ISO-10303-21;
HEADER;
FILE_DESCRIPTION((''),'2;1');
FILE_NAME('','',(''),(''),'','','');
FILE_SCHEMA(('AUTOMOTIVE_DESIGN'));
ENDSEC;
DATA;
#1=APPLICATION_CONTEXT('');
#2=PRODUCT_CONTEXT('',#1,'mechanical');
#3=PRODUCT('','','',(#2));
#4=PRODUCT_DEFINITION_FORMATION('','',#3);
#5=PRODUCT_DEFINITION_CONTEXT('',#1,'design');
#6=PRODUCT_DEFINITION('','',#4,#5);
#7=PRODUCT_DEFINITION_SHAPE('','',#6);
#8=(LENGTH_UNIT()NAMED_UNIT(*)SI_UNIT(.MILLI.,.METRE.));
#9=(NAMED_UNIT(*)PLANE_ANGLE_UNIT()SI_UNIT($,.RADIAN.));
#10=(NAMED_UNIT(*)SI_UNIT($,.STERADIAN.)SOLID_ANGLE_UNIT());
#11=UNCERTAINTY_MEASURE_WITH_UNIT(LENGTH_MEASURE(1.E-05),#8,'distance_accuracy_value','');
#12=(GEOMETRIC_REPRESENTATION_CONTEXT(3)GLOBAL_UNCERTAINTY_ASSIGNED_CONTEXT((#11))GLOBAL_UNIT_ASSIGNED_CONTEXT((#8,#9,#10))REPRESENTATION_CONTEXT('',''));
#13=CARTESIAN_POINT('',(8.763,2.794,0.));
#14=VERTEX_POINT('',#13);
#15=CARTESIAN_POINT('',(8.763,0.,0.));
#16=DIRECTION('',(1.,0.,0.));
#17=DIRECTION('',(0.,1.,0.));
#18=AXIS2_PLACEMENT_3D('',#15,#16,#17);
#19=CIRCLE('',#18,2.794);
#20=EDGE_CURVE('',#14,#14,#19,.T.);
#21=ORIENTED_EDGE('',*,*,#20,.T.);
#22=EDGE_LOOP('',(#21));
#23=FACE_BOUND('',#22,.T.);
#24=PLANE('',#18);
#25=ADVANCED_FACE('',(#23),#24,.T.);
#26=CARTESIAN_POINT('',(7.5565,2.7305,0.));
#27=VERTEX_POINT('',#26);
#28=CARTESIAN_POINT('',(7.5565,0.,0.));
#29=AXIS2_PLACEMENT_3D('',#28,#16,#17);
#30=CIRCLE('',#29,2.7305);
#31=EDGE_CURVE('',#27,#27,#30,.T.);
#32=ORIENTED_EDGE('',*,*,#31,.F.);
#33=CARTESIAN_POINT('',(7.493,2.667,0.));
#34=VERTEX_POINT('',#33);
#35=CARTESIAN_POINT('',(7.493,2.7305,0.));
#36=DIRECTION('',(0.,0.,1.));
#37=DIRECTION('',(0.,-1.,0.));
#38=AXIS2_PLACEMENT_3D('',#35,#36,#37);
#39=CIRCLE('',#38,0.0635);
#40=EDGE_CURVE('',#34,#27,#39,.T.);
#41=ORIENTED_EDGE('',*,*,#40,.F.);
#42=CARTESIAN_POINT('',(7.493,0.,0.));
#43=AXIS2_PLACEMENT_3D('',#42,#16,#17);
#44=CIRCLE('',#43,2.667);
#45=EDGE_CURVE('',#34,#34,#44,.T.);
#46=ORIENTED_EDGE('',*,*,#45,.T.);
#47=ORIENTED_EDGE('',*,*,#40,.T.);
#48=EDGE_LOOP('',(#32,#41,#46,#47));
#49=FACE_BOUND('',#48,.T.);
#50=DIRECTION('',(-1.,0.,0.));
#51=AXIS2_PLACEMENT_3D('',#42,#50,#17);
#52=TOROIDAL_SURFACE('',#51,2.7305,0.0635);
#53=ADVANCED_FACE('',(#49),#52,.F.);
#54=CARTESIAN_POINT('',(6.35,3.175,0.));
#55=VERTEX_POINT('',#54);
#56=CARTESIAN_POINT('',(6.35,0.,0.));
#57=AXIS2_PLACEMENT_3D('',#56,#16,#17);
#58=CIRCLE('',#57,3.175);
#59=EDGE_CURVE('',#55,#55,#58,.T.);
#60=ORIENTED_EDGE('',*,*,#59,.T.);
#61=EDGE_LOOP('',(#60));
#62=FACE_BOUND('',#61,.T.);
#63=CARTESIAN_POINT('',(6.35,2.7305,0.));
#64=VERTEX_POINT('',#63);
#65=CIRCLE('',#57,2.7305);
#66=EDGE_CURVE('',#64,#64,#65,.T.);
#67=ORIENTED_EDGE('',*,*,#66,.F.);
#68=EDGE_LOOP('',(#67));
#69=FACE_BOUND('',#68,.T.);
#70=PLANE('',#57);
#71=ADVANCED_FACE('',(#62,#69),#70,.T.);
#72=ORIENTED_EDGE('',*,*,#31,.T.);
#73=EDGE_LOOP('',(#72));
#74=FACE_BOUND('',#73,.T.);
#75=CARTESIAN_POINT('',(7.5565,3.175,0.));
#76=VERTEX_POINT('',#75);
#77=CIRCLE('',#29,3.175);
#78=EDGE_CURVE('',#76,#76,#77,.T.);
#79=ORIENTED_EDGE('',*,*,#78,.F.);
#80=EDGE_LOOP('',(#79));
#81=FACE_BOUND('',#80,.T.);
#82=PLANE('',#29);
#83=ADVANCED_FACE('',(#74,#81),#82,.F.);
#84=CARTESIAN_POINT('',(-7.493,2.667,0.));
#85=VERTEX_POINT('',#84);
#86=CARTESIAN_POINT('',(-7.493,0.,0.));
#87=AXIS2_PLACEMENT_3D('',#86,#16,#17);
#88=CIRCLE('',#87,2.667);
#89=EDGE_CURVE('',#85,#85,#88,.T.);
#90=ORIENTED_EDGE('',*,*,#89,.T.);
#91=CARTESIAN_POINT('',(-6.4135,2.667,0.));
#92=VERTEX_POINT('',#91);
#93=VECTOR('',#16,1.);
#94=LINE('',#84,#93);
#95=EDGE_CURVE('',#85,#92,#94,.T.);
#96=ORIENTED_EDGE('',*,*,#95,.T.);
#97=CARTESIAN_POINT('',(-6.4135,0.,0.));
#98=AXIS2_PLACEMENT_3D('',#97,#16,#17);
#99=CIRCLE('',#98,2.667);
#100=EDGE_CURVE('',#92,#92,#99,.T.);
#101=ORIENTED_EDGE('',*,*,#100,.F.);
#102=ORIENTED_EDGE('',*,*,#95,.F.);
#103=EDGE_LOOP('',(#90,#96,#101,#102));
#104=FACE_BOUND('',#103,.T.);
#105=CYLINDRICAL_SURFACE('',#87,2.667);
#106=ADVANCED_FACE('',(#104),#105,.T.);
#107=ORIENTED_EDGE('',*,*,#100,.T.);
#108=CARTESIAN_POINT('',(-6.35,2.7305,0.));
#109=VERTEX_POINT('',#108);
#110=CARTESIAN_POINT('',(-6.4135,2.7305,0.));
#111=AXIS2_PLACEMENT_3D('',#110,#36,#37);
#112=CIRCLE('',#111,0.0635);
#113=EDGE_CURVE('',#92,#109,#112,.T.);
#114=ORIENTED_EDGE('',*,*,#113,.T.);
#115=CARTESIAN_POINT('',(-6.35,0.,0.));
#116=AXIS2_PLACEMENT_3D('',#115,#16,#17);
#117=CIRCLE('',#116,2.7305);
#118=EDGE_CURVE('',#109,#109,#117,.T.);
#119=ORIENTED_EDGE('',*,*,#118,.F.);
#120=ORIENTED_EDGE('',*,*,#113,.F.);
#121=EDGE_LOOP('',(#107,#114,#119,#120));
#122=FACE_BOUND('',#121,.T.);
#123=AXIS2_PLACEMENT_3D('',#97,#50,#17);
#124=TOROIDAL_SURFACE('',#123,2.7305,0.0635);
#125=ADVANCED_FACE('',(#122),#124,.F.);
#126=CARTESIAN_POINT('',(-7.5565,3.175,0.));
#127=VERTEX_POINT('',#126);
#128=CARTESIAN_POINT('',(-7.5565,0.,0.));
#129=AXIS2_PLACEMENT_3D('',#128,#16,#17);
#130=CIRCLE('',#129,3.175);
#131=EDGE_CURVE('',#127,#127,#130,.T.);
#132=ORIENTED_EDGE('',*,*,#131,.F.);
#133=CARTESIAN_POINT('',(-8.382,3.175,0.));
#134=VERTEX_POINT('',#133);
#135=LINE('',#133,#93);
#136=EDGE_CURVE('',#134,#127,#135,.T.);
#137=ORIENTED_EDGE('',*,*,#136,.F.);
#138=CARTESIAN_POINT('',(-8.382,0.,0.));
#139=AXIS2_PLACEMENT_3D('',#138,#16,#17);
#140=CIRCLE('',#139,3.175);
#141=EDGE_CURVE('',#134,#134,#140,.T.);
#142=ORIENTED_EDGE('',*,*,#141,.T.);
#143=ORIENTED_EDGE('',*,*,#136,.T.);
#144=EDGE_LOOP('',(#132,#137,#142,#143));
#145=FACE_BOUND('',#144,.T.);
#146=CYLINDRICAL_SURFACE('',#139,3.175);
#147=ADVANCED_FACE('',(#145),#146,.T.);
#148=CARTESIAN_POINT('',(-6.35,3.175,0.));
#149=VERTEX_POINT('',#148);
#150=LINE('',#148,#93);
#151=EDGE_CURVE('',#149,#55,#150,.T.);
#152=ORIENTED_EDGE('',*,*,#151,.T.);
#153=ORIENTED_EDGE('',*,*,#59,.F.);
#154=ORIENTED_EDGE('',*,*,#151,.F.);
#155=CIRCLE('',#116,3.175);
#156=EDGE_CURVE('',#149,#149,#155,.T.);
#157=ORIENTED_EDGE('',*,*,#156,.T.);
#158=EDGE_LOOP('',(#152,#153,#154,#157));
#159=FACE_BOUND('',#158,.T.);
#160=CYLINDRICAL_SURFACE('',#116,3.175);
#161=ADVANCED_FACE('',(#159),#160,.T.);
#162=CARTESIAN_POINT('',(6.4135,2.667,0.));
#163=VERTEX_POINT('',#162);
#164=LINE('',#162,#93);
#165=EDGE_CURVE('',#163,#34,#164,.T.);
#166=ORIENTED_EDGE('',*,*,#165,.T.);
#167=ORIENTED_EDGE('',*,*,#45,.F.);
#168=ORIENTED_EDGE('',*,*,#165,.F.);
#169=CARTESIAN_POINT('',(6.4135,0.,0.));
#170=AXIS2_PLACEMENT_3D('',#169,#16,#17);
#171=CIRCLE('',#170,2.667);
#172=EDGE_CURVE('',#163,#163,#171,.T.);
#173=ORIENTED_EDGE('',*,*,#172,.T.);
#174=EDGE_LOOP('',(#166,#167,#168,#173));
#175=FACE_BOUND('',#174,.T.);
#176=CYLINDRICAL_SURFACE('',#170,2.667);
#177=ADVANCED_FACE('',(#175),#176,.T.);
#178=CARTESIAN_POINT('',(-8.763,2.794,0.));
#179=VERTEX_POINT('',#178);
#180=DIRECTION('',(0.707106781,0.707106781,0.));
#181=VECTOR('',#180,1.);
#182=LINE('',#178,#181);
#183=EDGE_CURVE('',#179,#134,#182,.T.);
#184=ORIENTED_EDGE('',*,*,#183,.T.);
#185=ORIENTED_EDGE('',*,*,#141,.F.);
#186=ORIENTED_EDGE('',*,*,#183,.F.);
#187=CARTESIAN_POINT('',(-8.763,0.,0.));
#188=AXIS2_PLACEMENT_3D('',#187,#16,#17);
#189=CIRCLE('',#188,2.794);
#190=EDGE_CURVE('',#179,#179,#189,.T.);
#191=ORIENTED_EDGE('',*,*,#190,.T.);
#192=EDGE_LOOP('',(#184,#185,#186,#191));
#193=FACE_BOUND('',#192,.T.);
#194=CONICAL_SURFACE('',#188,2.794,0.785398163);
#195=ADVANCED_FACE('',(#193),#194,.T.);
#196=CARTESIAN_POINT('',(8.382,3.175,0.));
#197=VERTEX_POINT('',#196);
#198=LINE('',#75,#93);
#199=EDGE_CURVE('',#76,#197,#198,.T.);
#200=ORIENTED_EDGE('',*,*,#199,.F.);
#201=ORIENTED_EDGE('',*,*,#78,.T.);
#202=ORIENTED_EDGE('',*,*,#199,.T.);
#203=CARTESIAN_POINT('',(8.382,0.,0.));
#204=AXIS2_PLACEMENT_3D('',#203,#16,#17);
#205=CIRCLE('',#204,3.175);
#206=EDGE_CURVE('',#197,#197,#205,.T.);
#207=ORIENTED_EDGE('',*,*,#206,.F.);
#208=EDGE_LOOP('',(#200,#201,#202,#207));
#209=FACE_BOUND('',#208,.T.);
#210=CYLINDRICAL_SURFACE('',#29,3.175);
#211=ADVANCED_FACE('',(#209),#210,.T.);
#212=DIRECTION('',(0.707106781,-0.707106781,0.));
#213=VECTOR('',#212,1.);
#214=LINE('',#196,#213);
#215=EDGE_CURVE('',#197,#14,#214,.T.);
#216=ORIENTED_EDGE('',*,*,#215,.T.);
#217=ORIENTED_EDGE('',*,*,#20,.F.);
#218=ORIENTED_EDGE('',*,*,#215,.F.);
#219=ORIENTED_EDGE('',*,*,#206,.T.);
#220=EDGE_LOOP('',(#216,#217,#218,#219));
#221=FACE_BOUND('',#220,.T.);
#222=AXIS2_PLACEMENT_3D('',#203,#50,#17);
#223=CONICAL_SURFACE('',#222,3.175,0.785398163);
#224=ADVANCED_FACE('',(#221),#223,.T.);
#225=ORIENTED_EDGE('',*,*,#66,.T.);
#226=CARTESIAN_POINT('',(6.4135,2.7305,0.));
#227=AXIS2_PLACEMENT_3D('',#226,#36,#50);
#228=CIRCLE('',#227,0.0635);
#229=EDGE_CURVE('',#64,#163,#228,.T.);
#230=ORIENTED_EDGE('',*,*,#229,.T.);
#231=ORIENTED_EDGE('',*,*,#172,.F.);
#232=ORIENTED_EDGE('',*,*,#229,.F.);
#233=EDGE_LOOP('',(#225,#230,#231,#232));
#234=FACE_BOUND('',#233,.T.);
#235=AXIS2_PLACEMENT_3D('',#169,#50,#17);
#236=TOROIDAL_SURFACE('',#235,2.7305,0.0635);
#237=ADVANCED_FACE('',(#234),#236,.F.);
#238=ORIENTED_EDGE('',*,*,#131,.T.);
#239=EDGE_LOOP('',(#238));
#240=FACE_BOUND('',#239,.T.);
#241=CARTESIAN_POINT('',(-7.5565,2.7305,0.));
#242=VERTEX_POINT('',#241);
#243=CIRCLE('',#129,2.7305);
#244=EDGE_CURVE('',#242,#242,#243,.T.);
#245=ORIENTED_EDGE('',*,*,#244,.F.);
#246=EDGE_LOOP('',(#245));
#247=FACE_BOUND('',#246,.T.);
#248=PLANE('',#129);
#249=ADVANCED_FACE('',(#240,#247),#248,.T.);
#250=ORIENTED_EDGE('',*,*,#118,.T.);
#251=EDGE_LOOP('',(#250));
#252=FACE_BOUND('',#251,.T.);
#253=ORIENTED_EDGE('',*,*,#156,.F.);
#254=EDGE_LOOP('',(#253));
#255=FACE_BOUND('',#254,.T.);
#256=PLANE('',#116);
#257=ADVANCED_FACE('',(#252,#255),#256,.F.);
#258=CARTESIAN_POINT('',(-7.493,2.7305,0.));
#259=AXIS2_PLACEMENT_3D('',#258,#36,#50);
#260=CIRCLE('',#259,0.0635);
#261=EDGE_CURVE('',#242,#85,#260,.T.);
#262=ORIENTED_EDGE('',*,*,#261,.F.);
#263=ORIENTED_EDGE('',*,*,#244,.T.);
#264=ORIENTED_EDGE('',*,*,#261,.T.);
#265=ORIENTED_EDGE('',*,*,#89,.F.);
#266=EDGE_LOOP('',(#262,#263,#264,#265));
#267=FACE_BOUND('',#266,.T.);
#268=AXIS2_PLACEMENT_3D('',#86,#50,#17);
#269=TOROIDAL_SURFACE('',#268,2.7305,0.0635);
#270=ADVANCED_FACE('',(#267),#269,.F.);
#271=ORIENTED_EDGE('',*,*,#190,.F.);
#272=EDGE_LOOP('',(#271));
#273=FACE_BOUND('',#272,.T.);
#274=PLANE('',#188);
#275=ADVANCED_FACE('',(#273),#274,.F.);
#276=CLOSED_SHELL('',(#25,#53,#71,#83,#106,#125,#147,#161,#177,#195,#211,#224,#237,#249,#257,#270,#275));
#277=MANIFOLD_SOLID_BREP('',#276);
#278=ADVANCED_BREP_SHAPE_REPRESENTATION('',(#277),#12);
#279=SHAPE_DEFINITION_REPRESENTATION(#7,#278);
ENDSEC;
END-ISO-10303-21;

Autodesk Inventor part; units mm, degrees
sketch "Sketch_1" plane through (0, 0, 0) normal (0, 0, 1) x (1, 0, 0)
  line L0 (8.763, 0) -> (-8.763, 0)
  line L1 (-8.763, 0) -> (-8.763, 2.794)
  line L2 (-8.763, 2.794) -> (-8.382, 3.175)
  line L3 (-8.382, 3.175) -> (-7.5565, 3.175)
  line L4 (-7.5565, 3.175) -> (-7.5565, 2.7305)
  arc A0 (-7.5565, 2.7305) -> (-7.493, 2.667) centre (-7.493, 2.7305) ccw
  line L5 (-7.493, 2.667) -> (-6.4135, 2.667)
  arc A1 (-6.4135, 2.667) -> (-6.35, 2.7305) centre (-6.4135, 2.7305) ccw
  line L6 (-6.35, 2.7305) -> (-6.35, 3.175)
  line L7 (-6.35, 3.175) -> (6.35, 3.175)
  line L8 (6.35, 3.175) -> (6.35, 2.7305)
  arc A2 (6.35, 2.7305) -> (6.4135, 2.667) centre (6.4135, 2.7305) ccw
  line L9 (6.4135, 2.667) -> (7.493, 2.667)
  arc A3 (7.493, 2.667) -> (7.5565, 2.7305) centre (7.493, 2.7305) ccw
  line L10 (7.5565, 2.7305) -> (7.5565, 3.175)
  line L11 (7.5565, 3.175) -> (8.382, 3.175)
  line L12 (8.382, 3.175) -> (8.763, 2.794)
  line L13 (8.763, 2.794) -> (8.763, 0)
  line L14 (8.763, 0) -> (-8.763, 0)
revolve "Revolution1" add sketch "Sketch_1" angle 360 about axis through (8.763, 0, 0) along (1, 0, 0)
ref_plane "pin_XY" through (0, 0, 0) normal (1, 0, 0) x (0, 0, -1)
ref_plane "pin_YZ" through (0, 0, 0) normal (0, 0, -1) x (0, 1, 0)
ref_plane "pin_ZX" through (0, 0, 0) normal (0, 1, 0) x (1, 0, 0)
ref_plane "rr1_XY" through (6.9532, 0, 0) normal (1, 0, 0) x (0, 0, -1)
ref_plane "rr1_YZ" through (6.9532, 0, 0) normal (0, 0, -1) x (0, 1, 0)
ref_plane "rr1_ZX" through (6.9532, 0, 0) normal (0, 1, 0) x (1, 0, 0)
ref_plane "rr2_XY" through (-6.9532, 0, 0) normal (1, 0, 0) x (0, 0, -1)
ref_plane "rr2_YZ" through (-6.9532, 0, 0) normal (0, 0, -1) x (0, 1, 0)
ref_plane "rr2_ZX" through (-6.9532, 0, 0) normal (0, 1, 0) x (1, 0, 0)
ref_plane "w21_XY" through (8.763, 0, 0) normal (0, 1, 0) x (1, 0, 0)
ref_plane "w21_YZ" through (8.763, 0, 0) normal (1, 0, 0) x (0, 0, -1)
ref_plane "w21_ZX" through (8.763, 0, 0) normal (0, 0, -1) x (0, 1, 0)
ref_plane "w22_XY" through (-8.763, 0, 0) normal (0, 1, 0) x (1, 0, 0)
ref_plane "w22_YZ" through (-8.763, 0, 0) normal (1, 0, 0) x (0, 0, -1)
ref_plane "w22_ZX" through (-8.763, 0, 0) normal (0, 0, -1) x (0, 1, 0)
ref_plane "p1_XY" through (0, 0, 3.175) normal (1, 0, 0) x (0, 0, -1)
ref_plane "p1_YZ" through (0, 0, 3.175) normal (0, 0, -1) x (0, 1, 0)
ref_plane "p1_ZX" through (0, 0, 3.175) normal (0, 1, 0) x (1, 0, 0)
ref_plane "p2_XY" through (0, 0, -3.175) normal (1, 0, 0) x (0, 0, -1)
ref_plane "p2_YZ" through (0, 0, -3.175) normal (0, 0, -1) x (0, 1, 0)
ref_plane "p2_ZX" through (0, 0, -3.175) normal (0, 1, 0) x (1, 0, 0)
properties part number "D-8381"
